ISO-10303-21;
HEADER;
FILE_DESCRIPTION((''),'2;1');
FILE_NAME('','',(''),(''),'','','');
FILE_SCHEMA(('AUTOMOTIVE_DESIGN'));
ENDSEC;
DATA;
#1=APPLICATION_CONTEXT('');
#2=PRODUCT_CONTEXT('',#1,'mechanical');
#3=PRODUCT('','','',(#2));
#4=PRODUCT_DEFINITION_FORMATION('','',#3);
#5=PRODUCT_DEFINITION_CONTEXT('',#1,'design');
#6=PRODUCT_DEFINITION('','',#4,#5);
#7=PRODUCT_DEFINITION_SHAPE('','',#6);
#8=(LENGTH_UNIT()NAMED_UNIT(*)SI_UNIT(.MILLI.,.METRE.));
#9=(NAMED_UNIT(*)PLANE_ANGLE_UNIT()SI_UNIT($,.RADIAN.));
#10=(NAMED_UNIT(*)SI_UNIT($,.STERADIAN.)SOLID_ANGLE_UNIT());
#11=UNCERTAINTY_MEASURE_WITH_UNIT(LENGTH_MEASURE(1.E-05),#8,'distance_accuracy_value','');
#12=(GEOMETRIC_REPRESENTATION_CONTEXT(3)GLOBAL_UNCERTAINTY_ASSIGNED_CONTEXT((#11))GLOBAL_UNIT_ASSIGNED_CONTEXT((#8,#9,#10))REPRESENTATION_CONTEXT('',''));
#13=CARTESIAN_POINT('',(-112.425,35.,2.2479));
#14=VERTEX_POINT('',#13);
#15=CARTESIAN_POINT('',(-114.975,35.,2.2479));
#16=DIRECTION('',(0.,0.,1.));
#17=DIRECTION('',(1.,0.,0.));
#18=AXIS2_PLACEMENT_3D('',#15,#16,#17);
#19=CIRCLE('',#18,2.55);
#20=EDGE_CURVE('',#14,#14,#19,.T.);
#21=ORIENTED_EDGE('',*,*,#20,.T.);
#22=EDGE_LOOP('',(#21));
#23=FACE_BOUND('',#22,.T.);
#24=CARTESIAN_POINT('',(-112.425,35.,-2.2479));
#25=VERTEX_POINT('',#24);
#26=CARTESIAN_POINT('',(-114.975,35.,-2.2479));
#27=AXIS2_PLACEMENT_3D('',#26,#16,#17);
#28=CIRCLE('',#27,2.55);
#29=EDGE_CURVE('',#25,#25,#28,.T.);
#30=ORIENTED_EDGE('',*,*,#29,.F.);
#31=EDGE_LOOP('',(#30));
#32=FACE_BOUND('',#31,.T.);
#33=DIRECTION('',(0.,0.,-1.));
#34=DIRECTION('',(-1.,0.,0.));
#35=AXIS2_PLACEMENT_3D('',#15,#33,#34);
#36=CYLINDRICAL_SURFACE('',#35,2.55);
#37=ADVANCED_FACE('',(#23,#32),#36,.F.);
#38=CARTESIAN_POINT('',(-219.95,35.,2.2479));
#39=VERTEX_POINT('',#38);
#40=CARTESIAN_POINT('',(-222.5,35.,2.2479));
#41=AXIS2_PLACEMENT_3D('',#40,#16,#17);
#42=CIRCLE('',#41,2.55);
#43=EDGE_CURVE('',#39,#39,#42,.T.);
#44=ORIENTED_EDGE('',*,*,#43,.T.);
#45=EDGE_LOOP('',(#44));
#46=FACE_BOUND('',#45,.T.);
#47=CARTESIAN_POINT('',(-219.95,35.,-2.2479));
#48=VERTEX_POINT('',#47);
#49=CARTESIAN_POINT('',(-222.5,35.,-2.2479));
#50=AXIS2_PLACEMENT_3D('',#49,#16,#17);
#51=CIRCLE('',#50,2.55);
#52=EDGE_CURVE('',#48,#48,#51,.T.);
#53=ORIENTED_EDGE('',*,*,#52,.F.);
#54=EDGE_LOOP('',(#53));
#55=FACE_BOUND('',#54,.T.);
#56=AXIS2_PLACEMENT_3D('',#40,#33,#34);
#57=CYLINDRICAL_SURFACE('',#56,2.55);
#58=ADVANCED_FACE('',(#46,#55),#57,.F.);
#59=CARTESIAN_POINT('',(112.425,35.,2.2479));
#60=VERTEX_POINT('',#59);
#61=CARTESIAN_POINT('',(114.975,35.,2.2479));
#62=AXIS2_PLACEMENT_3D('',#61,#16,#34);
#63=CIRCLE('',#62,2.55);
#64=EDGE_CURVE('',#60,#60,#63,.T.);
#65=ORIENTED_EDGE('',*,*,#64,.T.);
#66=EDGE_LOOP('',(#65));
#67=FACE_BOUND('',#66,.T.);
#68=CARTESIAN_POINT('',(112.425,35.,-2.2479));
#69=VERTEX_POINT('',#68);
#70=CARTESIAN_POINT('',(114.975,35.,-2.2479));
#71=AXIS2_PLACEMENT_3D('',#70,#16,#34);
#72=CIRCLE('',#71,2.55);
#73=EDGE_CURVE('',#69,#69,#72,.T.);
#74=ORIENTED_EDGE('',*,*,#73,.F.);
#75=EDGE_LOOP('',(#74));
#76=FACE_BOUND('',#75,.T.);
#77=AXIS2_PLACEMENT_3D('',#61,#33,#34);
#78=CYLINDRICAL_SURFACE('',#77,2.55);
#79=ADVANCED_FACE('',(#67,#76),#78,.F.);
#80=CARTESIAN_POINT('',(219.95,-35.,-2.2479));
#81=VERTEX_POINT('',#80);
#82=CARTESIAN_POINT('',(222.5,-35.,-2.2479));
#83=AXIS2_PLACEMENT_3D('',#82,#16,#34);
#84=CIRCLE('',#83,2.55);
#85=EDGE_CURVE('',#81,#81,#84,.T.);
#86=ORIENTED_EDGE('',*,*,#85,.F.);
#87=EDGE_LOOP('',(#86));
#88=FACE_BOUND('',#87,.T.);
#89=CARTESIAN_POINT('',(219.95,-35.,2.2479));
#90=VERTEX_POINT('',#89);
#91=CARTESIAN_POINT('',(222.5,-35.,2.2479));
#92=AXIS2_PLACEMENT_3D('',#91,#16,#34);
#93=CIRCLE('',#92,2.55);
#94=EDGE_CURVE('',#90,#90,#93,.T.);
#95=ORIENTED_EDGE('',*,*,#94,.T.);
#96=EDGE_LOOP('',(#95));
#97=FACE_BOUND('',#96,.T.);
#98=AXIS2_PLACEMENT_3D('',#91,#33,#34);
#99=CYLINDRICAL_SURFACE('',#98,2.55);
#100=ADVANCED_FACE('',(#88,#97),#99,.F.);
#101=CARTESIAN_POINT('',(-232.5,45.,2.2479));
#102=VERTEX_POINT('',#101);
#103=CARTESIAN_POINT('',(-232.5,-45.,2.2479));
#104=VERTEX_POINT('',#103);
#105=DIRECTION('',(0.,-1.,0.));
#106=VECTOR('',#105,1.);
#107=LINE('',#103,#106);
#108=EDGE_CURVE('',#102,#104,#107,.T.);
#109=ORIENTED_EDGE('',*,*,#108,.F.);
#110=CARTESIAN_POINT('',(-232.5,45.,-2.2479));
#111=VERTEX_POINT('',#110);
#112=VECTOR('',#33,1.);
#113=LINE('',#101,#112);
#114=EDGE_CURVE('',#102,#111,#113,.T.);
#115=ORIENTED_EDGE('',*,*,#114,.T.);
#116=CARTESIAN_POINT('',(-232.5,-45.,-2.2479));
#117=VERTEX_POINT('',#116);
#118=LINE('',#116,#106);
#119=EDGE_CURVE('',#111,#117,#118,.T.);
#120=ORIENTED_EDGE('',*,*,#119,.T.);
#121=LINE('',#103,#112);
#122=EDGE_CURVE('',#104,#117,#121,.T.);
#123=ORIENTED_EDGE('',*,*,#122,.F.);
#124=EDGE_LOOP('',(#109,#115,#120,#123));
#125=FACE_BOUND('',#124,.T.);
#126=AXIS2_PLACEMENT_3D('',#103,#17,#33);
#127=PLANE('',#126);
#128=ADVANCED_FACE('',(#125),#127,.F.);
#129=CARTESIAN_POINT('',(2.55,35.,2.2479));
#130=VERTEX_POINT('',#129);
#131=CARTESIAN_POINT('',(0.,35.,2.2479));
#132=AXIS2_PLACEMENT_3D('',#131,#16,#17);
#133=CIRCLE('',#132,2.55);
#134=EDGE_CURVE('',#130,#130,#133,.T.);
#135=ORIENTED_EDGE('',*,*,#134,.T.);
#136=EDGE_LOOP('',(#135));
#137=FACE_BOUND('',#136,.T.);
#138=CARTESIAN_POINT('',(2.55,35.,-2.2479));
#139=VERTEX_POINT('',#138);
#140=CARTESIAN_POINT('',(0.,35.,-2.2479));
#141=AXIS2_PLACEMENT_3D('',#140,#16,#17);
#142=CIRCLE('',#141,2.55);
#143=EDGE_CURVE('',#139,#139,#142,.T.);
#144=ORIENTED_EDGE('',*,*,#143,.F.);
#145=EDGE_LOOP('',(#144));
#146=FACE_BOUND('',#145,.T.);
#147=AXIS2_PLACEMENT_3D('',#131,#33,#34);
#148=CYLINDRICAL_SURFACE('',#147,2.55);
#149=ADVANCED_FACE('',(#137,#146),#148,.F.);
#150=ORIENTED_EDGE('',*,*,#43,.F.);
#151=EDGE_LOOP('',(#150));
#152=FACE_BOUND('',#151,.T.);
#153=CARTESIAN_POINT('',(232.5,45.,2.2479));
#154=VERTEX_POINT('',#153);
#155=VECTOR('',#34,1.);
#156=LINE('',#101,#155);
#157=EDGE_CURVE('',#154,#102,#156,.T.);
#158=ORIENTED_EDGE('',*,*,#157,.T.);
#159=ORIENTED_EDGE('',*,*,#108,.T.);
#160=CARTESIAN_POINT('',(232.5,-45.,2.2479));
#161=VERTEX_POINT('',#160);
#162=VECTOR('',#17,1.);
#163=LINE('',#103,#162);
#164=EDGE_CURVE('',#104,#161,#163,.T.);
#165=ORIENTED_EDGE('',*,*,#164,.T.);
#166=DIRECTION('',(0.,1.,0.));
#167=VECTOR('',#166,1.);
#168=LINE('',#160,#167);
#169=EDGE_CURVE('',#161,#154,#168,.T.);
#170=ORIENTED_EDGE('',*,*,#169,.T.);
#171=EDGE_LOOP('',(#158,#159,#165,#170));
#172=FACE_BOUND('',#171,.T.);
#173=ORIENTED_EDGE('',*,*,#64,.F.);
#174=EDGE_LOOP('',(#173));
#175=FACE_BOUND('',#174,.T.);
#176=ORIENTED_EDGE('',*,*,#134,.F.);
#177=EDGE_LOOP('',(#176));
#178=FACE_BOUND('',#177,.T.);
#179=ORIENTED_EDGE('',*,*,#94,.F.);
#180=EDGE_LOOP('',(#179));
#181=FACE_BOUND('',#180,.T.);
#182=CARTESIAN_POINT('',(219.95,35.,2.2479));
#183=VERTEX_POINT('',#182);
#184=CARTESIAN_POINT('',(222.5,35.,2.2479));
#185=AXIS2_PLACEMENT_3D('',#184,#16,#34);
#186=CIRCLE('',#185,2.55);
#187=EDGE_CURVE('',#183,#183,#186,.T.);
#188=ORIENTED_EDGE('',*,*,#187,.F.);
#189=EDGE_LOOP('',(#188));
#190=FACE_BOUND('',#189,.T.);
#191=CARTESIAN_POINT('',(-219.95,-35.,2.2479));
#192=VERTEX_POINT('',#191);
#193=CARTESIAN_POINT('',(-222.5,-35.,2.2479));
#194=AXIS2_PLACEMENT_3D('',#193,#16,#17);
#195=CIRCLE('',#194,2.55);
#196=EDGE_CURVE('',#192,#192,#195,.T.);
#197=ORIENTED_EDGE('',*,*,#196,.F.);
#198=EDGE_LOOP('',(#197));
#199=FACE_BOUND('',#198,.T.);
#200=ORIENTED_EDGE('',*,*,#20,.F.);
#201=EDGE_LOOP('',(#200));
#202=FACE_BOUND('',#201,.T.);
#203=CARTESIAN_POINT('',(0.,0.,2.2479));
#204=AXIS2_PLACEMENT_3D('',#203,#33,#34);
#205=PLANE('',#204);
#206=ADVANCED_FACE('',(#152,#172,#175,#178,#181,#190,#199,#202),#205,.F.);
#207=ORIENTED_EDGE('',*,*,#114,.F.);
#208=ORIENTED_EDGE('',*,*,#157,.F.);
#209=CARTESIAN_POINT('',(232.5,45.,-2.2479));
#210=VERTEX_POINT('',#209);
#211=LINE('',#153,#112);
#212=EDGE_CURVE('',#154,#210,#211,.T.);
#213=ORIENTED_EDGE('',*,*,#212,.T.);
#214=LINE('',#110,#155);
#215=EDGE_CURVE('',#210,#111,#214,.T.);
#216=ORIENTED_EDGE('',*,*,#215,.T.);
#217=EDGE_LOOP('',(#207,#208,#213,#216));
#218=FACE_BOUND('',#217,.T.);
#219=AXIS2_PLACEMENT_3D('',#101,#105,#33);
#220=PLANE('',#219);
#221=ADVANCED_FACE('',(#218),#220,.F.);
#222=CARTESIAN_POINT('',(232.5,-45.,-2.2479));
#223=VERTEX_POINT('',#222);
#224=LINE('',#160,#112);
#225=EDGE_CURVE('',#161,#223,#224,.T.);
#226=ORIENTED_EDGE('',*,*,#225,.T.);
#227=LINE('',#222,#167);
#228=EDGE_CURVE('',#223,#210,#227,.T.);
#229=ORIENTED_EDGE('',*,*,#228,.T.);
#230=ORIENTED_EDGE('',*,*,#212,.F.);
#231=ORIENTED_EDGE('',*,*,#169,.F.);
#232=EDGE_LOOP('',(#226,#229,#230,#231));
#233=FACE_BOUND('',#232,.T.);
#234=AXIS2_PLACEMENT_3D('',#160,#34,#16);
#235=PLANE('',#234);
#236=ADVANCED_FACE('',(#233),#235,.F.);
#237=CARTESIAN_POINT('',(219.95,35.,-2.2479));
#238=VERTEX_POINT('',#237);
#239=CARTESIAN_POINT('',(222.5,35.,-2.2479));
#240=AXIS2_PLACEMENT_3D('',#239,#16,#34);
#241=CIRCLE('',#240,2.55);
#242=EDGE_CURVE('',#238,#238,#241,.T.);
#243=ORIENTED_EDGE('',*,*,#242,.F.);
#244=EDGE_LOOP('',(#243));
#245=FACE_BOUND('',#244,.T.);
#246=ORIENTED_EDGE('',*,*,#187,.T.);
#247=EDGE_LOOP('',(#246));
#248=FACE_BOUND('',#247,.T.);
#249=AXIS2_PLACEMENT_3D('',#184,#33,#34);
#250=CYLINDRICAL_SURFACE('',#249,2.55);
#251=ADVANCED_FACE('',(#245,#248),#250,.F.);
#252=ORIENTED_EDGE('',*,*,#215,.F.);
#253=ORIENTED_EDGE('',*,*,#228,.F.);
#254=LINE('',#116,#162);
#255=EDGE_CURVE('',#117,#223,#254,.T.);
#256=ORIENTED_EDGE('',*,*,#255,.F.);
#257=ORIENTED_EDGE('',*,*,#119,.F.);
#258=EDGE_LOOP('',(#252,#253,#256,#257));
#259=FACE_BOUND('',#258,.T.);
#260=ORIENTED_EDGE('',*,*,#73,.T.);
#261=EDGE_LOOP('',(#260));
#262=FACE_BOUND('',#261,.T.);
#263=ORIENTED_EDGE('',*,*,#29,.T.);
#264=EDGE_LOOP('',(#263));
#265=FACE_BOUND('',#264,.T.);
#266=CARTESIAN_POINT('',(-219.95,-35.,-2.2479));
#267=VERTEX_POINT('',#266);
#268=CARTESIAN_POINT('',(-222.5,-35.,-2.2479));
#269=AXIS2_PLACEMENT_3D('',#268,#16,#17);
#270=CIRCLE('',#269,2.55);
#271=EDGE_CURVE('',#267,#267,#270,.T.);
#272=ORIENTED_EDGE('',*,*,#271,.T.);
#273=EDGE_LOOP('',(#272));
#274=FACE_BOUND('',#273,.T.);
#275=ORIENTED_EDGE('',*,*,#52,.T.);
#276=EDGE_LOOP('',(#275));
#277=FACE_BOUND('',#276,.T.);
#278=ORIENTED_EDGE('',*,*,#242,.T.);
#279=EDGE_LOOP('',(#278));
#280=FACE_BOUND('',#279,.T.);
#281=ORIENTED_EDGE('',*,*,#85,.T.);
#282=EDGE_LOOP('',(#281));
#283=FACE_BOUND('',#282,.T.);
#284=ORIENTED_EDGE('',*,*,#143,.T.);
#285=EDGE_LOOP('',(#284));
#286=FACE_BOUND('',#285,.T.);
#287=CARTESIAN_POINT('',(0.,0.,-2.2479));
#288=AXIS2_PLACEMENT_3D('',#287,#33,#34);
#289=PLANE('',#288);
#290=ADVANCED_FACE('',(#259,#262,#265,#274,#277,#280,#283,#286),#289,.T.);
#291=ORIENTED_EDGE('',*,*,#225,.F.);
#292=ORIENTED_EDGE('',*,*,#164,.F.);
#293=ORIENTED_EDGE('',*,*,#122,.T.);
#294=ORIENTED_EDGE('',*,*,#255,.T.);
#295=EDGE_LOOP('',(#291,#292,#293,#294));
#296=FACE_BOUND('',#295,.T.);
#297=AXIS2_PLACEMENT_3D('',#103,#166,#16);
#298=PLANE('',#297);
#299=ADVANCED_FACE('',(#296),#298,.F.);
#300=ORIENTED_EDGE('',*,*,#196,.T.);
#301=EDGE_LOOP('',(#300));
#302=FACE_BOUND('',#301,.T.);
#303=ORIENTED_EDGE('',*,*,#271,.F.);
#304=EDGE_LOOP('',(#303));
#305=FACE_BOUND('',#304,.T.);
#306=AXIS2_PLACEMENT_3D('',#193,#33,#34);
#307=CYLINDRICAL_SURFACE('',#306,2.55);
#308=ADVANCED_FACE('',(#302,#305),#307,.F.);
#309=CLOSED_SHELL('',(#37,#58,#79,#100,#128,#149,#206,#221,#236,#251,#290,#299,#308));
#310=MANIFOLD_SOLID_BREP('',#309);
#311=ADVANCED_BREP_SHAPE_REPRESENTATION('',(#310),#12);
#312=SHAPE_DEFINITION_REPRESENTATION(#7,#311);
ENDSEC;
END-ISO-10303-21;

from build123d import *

# Parameters (mm, degrees)
SKETCH1_W           = 465
SKETCH1_H           = 90
SKETCH1_R           = 2.55
BOSS_EXTRUDE1_DEPTH = 2.2479


with BuildPart() as part:
    # Sketch1 → Boss-Extrude1 (new, symmetric)
    with BuildSketch(Plane.XY):
        Rectangle(SKETCH1_W, SKETCH1_H)
        with Locations((-222.5, 35)):
            Circle(SKETCH1_R, mode=Mode.SUBTRACT)
        with Locations((-222.5, -35)):
            Circle(SKETCH1_R, mode=Mode.SUBTRACT)
        with Locations((0, 35)):
            Circle(SKETCH1_R, mode=Mode.SUBTRACT)
        with Locations((-114.975, 35)):
            Circle(SKETCH1_R, mode=Mode.SUBTRACT)
        with Locations(Location((222.5, -35, 0), (0, 0, 180))):
            Circle(SKETCH1_R, mode=Mode.SUBTRACT)
        with Locations(Location((222.5, 35, 0), (0, 0, 180))):
            Circle(SKETCH1_R, mode=Mode.SUBTRACT)
        with Locations(Location((114.975, 35, 0), (0, 0, 180))):
            Circle(SKETCH1_R, mode=Mode.SUBTRACT)
    extrude(amount=BOSS_EXTRUDE1_DEPTH, both=True)


solid = part.part
